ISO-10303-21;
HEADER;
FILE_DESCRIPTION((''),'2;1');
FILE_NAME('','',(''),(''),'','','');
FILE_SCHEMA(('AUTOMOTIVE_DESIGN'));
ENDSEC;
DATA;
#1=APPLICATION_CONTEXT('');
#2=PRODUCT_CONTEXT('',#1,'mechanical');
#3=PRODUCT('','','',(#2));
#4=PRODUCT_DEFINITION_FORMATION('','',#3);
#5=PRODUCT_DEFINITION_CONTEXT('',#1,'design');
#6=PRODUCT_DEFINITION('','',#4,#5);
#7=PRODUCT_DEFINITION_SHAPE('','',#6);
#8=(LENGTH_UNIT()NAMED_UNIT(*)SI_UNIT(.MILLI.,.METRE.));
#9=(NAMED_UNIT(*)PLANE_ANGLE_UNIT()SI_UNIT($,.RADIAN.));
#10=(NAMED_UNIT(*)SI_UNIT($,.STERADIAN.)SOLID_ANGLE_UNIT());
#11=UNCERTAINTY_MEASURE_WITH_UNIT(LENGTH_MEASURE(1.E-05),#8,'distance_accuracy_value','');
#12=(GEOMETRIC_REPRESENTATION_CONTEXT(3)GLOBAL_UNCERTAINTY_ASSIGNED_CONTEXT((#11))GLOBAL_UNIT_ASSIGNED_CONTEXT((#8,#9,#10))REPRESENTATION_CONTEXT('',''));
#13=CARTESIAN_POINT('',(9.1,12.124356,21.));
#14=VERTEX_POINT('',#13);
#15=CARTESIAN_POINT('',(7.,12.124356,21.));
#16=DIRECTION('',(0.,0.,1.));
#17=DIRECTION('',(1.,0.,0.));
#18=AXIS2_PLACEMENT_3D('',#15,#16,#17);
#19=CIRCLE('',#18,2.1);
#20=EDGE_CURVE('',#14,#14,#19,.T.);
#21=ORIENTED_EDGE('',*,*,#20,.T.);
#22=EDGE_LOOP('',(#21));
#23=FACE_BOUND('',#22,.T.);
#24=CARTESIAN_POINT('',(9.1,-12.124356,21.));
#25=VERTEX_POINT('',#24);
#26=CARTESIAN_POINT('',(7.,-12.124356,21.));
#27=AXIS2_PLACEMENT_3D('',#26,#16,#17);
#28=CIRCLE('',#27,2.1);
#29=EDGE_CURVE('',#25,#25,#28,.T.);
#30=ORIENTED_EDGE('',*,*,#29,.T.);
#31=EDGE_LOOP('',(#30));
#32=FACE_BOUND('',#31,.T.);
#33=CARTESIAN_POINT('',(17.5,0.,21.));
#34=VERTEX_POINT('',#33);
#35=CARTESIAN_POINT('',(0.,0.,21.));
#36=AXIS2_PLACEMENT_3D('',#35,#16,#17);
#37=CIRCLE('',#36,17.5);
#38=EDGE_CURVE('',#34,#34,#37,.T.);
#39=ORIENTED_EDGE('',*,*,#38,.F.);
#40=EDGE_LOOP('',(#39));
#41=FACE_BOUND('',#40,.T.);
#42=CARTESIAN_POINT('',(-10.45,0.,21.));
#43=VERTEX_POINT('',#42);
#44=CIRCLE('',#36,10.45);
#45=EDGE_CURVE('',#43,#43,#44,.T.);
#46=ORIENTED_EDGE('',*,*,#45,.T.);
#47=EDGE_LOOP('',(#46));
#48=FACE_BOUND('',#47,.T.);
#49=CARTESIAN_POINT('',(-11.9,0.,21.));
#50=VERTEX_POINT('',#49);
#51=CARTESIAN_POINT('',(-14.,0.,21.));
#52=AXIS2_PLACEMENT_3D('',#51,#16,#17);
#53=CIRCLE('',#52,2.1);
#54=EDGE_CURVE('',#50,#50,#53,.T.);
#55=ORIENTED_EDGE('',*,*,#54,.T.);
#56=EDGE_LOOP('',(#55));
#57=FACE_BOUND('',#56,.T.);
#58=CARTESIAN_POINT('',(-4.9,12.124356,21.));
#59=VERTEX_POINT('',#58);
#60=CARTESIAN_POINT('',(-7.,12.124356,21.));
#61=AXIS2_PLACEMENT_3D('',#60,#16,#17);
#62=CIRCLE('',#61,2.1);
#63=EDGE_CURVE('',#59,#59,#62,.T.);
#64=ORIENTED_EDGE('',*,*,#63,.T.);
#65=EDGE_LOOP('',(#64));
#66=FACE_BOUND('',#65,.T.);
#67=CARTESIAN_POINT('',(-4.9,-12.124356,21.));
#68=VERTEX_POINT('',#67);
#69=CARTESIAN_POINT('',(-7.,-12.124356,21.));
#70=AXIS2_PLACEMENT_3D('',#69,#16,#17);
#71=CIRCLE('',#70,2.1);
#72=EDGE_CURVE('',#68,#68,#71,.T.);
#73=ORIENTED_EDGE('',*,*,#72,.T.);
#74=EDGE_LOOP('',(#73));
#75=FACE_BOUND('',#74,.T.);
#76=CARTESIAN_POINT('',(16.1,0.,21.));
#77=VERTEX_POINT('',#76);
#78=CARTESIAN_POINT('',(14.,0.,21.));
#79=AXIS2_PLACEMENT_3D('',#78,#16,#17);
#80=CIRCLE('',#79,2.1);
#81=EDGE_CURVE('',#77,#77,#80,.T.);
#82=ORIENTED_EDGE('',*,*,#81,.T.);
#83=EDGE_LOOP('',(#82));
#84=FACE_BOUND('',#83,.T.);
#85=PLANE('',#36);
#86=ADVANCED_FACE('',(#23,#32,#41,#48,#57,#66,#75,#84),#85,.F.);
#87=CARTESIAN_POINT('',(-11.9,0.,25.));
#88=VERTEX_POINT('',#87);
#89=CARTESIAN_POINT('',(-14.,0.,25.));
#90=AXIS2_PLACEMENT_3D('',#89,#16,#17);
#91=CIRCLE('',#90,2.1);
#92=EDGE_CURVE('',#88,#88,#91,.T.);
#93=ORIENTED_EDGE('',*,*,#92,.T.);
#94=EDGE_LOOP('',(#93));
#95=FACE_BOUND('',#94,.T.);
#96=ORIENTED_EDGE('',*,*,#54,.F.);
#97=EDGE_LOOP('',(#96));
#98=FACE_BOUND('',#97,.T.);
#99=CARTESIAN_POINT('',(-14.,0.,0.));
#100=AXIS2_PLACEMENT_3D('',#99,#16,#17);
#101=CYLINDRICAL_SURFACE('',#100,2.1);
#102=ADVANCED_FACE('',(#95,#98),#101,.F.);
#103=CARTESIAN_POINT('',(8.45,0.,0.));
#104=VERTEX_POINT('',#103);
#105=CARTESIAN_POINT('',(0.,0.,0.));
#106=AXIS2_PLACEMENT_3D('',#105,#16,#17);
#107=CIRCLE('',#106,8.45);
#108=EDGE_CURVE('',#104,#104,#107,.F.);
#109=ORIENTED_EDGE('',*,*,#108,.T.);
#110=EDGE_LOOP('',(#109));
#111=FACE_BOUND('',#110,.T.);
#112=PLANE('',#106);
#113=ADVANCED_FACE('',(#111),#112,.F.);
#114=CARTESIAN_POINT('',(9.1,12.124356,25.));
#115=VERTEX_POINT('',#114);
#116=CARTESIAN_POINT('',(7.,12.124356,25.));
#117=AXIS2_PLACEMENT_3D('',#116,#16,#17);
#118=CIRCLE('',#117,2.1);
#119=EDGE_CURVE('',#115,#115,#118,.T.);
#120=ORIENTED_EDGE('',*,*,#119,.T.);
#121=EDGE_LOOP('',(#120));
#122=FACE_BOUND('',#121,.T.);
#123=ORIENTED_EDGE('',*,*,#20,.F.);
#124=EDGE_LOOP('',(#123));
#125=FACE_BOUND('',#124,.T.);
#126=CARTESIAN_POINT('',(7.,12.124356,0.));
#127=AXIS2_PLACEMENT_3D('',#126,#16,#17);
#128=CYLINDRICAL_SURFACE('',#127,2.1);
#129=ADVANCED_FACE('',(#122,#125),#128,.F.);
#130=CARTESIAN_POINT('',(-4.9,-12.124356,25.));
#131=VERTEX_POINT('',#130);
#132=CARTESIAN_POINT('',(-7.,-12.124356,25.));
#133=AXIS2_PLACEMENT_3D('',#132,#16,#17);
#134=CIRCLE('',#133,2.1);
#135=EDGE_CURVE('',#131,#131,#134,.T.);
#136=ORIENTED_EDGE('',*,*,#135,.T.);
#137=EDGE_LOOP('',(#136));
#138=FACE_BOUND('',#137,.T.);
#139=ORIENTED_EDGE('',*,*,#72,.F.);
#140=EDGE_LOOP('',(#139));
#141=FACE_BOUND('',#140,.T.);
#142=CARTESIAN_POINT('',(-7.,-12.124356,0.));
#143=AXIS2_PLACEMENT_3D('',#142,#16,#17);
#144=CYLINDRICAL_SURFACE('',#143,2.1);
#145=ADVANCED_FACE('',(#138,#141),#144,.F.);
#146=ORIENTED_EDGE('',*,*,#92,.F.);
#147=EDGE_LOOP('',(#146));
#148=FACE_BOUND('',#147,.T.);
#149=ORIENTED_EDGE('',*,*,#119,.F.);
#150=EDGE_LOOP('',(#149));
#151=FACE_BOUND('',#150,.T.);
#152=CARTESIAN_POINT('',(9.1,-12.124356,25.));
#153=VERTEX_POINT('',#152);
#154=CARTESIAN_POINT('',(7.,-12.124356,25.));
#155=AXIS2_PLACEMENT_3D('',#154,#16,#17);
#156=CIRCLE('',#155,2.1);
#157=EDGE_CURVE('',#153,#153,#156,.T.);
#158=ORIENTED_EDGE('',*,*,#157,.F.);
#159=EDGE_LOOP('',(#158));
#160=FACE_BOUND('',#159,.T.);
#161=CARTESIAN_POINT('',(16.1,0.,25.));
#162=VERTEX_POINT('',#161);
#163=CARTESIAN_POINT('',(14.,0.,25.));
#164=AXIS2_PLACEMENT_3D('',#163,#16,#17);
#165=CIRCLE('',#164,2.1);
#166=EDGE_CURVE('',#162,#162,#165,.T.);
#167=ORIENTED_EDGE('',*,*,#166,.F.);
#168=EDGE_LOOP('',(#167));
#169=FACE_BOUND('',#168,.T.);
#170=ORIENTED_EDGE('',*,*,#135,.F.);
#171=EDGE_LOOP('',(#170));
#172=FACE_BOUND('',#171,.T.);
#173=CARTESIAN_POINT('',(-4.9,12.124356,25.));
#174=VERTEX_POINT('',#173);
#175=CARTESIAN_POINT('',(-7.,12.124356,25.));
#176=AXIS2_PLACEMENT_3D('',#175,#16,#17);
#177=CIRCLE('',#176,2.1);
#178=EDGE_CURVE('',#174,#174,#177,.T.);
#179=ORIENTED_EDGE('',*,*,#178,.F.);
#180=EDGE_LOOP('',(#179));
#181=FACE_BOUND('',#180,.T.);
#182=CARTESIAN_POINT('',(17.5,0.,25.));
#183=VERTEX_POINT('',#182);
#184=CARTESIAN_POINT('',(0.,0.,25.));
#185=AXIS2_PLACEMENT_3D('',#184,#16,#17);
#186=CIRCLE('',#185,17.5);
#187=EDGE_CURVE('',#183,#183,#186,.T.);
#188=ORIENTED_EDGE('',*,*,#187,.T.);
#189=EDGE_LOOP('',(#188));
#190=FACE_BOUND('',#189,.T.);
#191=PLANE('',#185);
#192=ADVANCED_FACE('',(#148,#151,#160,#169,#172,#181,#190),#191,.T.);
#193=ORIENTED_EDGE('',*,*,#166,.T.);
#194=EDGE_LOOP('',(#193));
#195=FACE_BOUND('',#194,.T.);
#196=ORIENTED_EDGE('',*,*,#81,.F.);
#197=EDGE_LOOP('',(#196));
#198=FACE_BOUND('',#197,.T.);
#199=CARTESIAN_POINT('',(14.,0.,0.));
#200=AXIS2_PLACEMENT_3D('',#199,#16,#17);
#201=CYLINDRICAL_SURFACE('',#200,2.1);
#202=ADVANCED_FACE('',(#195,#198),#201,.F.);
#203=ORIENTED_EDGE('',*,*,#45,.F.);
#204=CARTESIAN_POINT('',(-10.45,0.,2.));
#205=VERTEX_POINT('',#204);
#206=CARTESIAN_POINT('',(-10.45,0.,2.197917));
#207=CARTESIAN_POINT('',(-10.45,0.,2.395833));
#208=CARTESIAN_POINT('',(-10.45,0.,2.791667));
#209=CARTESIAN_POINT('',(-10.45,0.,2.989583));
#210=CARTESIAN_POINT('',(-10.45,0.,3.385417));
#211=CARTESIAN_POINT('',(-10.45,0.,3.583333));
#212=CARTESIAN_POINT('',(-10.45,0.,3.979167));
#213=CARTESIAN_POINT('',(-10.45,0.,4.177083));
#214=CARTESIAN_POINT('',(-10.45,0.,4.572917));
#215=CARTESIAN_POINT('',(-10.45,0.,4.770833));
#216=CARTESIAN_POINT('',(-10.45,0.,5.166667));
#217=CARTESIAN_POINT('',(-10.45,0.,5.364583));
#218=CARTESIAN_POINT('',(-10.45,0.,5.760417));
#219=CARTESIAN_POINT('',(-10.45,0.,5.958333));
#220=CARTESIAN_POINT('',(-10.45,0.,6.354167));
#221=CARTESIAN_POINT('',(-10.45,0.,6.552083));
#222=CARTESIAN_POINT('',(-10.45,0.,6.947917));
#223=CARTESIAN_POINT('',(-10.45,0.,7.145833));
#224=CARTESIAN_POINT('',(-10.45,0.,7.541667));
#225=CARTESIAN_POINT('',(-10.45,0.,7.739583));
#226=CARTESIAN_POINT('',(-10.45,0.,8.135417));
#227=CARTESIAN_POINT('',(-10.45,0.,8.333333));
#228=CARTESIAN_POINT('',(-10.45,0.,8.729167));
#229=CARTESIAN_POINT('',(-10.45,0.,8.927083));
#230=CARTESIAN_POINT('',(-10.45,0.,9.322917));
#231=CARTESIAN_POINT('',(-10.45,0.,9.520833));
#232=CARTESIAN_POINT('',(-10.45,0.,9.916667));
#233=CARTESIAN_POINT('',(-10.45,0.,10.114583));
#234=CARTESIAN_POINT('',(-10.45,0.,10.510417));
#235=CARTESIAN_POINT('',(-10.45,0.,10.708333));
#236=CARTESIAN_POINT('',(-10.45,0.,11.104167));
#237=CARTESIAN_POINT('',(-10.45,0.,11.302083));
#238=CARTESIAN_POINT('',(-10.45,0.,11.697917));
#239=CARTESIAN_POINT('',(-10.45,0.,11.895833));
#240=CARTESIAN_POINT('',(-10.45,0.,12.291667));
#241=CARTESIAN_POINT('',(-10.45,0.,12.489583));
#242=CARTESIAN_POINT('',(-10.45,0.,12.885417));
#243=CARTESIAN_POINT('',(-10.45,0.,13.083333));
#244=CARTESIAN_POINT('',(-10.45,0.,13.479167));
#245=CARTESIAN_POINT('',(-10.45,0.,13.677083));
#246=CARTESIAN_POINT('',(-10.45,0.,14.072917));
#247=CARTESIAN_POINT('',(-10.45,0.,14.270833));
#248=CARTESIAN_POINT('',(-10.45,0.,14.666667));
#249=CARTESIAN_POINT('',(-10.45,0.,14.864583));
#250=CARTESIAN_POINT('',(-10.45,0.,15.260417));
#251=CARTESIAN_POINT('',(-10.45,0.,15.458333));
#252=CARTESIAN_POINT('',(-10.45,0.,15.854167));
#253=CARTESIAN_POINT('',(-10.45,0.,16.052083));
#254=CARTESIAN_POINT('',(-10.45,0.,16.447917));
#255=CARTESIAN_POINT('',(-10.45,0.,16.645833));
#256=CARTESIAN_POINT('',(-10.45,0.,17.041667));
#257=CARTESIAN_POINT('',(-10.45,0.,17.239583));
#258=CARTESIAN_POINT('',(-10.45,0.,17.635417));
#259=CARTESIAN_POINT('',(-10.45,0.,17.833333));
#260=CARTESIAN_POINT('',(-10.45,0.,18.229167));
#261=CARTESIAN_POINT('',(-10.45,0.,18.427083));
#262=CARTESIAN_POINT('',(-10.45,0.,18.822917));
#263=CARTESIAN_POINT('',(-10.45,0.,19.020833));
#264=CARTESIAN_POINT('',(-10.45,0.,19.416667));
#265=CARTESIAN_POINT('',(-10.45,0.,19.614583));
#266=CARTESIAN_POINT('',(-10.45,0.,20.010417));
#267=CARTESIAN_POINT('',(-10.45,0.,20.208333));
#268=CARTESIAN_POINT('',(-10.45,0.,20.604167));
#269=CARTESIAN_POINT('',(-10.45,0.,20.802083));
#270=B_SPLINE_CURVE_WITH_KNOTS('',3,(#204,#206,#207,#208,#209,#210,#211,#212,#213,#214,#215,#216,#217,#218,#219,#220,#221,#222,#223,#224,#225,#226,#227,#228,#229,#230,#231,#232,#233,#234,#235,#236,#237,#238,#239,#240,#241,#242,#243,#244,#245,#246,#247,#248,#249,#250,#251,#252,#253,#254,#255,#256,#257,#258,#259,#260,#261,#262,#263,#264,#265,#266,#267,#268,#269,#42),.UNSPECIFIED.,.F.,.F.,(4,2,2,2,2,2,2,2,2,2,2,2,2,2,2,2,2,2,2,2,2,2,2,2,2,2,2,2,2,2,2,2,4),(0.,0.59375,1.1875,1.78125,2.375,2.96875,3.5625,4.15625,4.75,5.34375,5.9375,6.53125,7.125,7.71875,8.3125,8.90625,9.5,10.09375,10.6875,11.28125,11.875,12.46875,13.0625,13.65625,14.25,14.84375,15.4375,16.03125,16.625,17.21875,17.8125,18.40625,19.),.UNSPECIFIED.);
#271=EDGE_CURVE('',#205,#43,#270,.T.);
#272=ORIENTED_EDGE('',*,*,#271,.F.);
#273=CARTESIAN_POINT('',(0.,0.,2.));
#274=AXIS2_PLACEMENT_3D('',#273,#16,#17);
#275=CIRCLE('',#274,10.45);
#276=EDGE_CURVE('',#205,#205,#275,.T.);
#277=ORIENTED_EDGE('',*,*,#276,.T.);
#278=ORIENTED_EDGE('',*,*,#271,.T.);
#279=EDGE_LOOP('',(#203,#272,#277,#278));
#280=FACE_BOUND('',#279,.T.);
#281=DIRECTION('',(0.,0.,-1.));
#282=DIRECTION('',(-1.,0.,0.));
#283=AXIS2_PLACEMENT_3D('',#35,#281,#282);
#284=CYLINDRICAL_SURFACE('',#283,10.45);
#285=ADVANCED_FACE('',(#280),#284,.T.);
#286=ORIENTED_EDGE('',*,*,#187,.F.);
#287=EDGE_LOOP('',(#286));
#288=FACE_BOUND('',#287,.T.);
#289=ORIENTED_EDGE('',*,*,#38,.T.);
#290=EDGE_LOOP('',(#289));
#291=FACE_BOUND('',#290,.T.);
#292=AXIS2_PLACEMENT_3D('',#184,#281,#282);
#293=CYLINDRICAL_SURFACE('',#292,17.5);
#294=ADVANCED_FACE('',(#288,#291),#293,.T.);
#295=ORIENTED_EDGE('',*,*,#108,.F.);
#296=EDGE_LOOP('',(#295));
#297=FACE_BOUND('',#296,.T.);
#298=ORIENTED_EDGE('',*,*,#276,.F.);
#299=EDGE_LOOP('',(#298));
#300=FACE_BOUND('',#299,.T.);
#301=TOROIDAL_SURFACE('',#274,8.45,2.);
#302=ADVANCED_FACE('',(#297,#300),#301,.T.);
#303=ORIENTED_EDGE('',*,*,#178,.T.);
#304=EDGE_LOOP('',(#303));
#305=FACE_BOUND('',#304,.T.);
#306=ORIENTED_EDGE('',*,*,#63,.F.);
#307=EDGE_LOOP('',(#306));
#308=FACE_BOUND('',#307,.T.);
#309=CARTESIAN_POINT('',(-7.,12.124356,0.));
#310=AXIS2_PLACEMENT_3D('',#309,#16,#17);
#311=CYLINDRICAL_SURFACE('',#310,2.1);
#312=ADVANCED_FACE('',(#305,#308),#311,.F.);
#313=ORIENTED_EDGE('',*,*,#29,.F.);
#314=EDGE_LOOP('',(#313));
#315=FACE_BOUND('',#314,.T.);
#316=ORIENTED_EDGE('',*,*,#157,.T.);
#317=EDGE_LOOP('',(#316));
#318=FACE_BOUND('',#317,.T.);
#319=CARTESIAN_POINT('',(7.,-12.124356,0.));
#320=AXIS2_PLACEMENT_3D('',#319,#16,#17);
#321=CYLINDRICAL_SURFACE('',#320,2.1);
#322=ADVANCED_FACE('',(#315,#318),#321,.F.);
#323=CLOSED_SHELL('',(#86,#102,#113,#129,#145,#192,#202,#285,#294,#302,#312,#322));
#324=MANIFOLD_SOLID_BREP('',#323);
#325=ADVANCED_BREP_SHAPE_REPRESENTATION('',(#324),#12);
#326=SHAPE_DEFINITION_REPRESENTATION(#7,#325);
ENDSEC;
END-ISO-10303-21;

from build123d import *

# Parameters (mm, degrees)
SKETCH1_R           = 10.45
BOSS_EXTRUDE1_DEPTH = 21
SKETCH2_R           = 17.5
BOSS_EXTRUDE2_DEPTH = 4
SKETCH3_R           = 2.1
CUT_EXTRUDE1_DEPTH  = 36.178118199
FILLET1_R           = 2


with BuildPart() as part:
    # Sketch1 → Boss-Extrude1 (new body)
    with BuildSketch(Plane.XY):
        with Locations(Location((0, 0, 0), (0, 0, 180))):
            Circle(SKETCH1_R)
    extrude(amount=BOSS_EXTRUDE1_DEPTH)

    # Sketch2 → Boss-Extrude2 (add)
    with BuildSketch(Plane.XY.offset(21)):
        Circle(SKETCH2_R)
    extrude(amount=BOSS_EXTRUDE2_DEPTH)

    # Sketch3 → Cut-Extrude1 (cut, through all)
    with BuildSketch(Plane.XY.offset(25)):
        with Locations((14, 0)):
            Circle(SKETCH3_R)
        with Locations((7, -12.124355653)):
            Circle(SKETCH3_R)
        with Locations((-7, -12.124355653)):
            Circle(SKETCH3_R)
        with Locations((-14, 0)):
            Circle(SKETCH3_R)
        with Locations((-7, 12.124355653)):
            Circle(SKETCH3_R)
        with Locations((7, 12.124355653)):
            Circle(SKETCH3_R)
    extrude(amount=-CUT_EXTRUDE1_DEPTH, mode=Mode.SUBTRACT)

    # Fillet1
    fillet1_edges = [part.edges().sort_by_distance(p)[0] for p in [
        (10.45, 0, 0),
    ]]
    fillet(fillet1_edges, radius=FILLET1_R)


solid = part.part
